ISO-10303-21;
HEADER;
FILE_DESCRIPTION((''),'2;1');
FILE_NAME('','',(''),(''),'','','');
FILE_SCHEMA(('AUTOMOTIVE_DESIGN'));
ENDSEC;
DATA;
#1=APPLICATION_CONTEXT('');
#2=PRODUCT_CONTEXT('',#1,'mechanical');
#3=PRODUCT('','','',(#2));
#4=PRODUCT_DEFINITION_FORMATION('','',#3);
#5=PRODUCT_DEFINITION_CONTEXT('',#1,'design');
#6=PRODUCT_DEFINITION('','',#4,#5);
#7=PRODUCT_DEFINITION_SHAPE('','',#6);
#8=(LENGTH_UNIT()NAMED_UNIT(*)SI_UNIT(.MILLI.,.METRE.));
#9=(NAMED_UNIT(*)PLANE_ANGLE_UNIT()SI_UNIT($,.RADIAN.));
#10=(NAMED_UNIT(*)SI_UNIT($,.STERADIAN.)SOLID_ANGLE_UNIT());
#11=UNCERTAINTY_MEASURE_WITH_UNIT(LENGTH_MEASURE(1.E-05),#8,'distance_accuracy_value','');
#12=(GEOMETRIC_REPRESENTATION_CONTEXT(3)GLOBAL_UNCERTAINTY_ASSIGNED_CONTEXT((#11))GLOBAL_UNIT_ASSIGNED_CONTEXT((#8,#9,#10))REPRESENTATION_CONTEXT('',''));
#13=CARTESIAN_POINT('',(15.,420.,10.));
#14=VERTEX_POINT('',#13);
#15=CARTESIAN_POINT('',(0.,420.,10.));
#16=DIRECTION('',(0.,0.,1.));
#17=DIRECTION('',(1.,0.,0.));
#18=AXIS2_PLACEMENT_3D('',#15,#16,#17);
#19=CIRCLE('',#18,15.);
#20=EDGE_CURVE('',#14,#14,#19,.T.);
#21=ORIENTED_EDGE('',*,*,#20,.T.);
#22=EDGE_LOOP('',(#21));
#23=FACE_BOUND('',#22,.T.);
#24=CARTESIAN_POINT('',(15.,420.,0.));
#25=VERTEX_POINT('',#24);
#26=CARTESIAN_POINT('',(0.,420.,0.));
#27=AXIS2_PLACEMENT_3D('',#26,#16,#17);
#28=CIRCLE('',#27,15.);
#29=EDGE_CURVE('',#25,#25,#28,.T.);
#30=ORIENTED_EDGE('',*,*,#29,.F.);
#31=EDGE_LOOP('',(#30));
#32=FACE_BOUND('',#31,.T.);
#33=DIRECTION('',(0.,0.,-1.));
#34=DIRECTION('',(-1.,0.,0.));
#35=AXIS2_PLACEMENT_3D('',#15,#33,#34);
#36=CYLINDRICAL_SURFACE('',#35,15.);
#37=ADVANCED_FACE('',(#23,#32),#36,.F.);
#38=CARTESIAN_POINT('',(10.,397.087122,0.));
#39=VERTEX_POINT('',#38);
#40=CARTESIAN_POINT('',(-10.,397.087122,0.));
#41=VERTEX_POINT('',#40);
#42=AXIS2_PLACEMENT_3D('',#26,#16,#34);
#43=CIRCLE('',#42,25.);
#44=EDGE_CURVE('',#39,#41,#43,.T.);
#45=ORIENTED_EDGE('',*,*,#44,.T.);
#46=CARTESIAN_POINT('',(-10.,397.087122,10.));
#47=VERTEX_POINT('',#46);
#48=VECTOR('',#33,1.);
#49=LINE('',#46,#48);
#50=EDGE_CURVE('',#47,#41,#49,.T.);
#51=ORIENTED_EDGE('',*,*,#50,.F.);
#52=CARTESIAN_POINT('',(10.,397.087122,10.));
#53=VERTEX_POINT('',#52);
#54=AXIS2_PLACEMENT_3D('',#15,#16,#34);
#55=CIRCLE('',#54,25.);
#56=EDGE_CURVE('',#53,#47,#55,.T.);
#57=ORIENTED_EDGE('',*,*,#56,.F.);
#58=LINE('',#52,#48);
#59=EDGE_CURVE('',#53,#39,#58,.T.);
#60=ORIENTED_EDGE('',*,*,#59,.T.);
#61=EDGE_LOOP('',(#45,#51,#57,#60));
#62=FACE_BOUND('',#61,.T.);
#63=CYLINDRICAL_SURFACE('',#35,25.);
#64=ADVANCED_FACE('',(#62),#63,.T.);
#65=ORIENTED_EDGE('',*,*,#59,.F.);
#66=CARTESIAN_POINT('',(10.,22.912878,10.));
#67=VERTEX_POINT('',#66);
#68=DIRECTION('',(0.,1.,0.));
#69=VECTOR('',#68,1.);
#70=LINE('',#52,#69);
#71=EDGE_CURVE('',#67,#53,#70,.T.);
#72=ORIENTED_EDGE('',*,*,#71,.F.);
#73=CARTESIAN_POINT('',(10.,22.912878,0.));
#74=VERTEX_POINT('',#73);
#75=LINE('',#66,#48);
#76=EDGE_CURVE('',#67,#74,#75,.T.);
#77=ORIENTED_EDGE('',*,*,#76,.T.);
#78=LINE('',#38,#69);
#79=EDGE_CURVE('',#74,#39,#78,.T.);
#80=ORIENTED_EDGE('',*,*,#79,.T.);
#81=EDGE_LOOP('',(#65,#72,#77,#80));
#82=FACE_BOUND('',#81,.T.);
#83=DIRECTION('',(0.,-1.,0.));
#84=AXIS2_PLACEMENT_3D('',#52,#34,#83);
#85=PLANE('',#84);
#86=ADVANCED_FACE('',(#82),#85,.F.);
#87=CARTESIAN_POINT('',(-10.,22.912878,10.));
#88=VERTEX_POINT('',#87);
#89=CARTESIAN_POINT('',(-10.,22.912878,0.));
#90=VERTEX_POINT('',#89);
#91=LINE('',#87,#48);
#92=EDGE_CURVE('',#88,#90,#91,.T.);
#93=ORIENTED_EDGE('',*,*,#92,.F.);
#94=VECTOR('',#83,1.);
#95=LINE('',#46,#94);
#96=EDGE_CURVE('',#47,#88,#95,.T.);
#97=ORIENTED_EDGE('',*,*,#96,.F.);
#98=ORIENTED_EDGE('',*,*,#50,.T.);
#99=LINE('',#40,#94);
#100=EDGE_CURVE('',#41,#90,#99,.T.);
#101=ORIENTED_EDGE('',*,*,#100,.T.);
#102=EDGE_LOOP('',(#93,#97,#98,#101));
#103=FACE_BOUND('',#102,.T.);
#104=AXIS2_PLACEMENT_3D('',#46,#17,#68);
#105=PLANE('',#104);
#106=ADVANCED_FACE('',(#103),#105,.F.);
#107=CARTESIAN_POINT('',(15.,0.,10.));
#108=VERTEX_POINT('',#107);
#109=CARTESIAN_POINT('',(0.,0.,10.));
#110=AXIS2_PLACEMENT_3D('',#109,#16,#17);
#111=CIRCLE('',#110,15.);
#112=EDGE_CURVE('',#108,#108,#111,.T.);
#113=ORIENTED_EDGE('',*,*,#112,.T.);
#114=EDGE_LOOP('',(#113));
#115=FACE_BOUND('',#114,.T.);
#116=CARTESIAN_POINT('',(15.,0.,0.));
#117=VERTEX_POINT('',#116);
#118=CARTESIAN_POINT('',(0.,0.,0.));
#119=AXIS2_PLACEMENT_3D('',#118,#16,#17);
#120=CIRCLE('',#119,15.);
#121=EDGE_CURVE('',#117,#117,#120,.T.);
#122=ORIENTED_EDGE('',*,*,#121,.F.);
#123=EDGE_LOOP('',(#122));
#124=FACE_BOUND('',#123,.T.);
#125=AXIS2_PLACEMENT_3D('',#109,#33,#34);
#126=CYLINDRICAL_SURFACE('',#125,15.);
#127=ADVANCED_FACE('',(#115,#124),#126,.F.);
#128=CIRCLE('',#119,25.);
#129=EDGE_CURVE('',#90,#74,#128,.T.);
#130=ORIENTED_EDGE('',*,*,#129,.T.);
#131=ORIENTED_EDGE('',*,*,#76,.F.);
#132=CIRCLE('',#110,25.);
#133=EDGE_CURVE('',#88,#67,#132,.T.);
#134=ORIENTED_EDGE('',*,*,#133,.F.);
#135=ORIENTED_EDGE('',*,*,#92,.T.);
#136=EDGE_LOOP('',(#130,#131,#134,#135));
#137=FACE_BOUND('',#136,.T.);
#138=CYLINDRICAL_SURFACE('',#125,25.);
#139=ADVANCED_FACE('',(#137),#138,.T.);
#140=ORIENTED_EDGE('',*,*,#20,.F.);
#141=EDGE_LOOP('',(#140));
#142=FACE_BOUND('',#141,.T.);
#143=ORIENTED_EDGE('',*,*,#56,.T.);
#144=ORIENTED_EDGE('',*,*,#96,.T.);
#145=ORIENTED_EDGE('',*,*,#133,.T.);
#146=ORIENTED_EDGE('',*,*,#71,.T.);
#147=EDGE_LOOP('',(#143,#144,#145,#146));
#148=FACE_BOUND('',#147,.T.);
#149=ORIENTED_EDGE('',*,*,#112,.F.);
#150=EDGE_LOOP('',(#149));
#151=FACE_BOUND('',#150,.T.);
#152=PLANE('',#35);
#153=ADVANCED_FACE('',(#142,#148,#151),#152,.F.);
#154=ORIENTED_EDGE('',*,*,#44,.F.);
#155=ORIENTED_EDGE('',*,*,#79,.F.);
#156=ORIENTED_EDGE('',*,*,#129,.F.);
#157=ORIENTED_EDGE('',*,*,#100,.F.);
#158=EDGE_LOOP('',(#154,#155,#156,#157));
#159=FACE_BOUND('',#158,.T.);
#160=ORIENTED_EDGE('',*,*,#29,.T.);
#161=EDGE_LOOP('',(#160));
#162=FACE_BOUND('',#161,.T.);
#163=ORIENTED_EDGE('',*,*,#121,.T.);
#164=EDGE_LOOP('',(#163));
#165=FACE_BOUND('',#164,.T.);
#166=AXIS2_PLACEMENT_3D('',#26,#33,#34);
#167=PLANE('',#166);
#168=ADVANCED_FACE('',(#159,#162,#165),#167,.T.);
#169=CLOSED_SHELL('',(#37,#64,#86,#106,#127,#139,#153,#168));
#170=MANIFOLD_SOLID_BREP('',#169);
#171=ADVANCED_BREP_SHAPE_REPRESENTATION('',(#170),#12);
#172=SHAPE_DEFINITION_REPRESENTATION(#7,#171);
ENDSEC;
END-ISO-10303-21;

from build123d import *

# Parameters (mm, degrees)
ESQUISSE1_R        = 15
BOSS_EXTRU_1_DEPTH = 10


with BuildPart() as part:
    # Esquisse1 → Boss.-Extru.1 (new body)
    with BuildSketch(Plane.XY):
        with BuildLine():
            Line((-10, 397.087121525), (-10, 22.912878475))
            ThreePointArc((-10, 22.912878475), (0, -25), (10, 22.912878475))
            Line((10, 22.912878475), (10, 397.087121525))
            ThreePointArc((10, 397.087121525), (0, 445), (-10, 397.087121525))
        make_face()
        Circle(ESQUISSE1_R, mode=Mode.SUBTRACT)
        with Locations((0, 420)):
            Circle(ESQUISSE1_R, mode=Mode.SUBTRACT)
    extrude(amount=BOSS_EXTRU_1_DEPTH)


solid = part.part
